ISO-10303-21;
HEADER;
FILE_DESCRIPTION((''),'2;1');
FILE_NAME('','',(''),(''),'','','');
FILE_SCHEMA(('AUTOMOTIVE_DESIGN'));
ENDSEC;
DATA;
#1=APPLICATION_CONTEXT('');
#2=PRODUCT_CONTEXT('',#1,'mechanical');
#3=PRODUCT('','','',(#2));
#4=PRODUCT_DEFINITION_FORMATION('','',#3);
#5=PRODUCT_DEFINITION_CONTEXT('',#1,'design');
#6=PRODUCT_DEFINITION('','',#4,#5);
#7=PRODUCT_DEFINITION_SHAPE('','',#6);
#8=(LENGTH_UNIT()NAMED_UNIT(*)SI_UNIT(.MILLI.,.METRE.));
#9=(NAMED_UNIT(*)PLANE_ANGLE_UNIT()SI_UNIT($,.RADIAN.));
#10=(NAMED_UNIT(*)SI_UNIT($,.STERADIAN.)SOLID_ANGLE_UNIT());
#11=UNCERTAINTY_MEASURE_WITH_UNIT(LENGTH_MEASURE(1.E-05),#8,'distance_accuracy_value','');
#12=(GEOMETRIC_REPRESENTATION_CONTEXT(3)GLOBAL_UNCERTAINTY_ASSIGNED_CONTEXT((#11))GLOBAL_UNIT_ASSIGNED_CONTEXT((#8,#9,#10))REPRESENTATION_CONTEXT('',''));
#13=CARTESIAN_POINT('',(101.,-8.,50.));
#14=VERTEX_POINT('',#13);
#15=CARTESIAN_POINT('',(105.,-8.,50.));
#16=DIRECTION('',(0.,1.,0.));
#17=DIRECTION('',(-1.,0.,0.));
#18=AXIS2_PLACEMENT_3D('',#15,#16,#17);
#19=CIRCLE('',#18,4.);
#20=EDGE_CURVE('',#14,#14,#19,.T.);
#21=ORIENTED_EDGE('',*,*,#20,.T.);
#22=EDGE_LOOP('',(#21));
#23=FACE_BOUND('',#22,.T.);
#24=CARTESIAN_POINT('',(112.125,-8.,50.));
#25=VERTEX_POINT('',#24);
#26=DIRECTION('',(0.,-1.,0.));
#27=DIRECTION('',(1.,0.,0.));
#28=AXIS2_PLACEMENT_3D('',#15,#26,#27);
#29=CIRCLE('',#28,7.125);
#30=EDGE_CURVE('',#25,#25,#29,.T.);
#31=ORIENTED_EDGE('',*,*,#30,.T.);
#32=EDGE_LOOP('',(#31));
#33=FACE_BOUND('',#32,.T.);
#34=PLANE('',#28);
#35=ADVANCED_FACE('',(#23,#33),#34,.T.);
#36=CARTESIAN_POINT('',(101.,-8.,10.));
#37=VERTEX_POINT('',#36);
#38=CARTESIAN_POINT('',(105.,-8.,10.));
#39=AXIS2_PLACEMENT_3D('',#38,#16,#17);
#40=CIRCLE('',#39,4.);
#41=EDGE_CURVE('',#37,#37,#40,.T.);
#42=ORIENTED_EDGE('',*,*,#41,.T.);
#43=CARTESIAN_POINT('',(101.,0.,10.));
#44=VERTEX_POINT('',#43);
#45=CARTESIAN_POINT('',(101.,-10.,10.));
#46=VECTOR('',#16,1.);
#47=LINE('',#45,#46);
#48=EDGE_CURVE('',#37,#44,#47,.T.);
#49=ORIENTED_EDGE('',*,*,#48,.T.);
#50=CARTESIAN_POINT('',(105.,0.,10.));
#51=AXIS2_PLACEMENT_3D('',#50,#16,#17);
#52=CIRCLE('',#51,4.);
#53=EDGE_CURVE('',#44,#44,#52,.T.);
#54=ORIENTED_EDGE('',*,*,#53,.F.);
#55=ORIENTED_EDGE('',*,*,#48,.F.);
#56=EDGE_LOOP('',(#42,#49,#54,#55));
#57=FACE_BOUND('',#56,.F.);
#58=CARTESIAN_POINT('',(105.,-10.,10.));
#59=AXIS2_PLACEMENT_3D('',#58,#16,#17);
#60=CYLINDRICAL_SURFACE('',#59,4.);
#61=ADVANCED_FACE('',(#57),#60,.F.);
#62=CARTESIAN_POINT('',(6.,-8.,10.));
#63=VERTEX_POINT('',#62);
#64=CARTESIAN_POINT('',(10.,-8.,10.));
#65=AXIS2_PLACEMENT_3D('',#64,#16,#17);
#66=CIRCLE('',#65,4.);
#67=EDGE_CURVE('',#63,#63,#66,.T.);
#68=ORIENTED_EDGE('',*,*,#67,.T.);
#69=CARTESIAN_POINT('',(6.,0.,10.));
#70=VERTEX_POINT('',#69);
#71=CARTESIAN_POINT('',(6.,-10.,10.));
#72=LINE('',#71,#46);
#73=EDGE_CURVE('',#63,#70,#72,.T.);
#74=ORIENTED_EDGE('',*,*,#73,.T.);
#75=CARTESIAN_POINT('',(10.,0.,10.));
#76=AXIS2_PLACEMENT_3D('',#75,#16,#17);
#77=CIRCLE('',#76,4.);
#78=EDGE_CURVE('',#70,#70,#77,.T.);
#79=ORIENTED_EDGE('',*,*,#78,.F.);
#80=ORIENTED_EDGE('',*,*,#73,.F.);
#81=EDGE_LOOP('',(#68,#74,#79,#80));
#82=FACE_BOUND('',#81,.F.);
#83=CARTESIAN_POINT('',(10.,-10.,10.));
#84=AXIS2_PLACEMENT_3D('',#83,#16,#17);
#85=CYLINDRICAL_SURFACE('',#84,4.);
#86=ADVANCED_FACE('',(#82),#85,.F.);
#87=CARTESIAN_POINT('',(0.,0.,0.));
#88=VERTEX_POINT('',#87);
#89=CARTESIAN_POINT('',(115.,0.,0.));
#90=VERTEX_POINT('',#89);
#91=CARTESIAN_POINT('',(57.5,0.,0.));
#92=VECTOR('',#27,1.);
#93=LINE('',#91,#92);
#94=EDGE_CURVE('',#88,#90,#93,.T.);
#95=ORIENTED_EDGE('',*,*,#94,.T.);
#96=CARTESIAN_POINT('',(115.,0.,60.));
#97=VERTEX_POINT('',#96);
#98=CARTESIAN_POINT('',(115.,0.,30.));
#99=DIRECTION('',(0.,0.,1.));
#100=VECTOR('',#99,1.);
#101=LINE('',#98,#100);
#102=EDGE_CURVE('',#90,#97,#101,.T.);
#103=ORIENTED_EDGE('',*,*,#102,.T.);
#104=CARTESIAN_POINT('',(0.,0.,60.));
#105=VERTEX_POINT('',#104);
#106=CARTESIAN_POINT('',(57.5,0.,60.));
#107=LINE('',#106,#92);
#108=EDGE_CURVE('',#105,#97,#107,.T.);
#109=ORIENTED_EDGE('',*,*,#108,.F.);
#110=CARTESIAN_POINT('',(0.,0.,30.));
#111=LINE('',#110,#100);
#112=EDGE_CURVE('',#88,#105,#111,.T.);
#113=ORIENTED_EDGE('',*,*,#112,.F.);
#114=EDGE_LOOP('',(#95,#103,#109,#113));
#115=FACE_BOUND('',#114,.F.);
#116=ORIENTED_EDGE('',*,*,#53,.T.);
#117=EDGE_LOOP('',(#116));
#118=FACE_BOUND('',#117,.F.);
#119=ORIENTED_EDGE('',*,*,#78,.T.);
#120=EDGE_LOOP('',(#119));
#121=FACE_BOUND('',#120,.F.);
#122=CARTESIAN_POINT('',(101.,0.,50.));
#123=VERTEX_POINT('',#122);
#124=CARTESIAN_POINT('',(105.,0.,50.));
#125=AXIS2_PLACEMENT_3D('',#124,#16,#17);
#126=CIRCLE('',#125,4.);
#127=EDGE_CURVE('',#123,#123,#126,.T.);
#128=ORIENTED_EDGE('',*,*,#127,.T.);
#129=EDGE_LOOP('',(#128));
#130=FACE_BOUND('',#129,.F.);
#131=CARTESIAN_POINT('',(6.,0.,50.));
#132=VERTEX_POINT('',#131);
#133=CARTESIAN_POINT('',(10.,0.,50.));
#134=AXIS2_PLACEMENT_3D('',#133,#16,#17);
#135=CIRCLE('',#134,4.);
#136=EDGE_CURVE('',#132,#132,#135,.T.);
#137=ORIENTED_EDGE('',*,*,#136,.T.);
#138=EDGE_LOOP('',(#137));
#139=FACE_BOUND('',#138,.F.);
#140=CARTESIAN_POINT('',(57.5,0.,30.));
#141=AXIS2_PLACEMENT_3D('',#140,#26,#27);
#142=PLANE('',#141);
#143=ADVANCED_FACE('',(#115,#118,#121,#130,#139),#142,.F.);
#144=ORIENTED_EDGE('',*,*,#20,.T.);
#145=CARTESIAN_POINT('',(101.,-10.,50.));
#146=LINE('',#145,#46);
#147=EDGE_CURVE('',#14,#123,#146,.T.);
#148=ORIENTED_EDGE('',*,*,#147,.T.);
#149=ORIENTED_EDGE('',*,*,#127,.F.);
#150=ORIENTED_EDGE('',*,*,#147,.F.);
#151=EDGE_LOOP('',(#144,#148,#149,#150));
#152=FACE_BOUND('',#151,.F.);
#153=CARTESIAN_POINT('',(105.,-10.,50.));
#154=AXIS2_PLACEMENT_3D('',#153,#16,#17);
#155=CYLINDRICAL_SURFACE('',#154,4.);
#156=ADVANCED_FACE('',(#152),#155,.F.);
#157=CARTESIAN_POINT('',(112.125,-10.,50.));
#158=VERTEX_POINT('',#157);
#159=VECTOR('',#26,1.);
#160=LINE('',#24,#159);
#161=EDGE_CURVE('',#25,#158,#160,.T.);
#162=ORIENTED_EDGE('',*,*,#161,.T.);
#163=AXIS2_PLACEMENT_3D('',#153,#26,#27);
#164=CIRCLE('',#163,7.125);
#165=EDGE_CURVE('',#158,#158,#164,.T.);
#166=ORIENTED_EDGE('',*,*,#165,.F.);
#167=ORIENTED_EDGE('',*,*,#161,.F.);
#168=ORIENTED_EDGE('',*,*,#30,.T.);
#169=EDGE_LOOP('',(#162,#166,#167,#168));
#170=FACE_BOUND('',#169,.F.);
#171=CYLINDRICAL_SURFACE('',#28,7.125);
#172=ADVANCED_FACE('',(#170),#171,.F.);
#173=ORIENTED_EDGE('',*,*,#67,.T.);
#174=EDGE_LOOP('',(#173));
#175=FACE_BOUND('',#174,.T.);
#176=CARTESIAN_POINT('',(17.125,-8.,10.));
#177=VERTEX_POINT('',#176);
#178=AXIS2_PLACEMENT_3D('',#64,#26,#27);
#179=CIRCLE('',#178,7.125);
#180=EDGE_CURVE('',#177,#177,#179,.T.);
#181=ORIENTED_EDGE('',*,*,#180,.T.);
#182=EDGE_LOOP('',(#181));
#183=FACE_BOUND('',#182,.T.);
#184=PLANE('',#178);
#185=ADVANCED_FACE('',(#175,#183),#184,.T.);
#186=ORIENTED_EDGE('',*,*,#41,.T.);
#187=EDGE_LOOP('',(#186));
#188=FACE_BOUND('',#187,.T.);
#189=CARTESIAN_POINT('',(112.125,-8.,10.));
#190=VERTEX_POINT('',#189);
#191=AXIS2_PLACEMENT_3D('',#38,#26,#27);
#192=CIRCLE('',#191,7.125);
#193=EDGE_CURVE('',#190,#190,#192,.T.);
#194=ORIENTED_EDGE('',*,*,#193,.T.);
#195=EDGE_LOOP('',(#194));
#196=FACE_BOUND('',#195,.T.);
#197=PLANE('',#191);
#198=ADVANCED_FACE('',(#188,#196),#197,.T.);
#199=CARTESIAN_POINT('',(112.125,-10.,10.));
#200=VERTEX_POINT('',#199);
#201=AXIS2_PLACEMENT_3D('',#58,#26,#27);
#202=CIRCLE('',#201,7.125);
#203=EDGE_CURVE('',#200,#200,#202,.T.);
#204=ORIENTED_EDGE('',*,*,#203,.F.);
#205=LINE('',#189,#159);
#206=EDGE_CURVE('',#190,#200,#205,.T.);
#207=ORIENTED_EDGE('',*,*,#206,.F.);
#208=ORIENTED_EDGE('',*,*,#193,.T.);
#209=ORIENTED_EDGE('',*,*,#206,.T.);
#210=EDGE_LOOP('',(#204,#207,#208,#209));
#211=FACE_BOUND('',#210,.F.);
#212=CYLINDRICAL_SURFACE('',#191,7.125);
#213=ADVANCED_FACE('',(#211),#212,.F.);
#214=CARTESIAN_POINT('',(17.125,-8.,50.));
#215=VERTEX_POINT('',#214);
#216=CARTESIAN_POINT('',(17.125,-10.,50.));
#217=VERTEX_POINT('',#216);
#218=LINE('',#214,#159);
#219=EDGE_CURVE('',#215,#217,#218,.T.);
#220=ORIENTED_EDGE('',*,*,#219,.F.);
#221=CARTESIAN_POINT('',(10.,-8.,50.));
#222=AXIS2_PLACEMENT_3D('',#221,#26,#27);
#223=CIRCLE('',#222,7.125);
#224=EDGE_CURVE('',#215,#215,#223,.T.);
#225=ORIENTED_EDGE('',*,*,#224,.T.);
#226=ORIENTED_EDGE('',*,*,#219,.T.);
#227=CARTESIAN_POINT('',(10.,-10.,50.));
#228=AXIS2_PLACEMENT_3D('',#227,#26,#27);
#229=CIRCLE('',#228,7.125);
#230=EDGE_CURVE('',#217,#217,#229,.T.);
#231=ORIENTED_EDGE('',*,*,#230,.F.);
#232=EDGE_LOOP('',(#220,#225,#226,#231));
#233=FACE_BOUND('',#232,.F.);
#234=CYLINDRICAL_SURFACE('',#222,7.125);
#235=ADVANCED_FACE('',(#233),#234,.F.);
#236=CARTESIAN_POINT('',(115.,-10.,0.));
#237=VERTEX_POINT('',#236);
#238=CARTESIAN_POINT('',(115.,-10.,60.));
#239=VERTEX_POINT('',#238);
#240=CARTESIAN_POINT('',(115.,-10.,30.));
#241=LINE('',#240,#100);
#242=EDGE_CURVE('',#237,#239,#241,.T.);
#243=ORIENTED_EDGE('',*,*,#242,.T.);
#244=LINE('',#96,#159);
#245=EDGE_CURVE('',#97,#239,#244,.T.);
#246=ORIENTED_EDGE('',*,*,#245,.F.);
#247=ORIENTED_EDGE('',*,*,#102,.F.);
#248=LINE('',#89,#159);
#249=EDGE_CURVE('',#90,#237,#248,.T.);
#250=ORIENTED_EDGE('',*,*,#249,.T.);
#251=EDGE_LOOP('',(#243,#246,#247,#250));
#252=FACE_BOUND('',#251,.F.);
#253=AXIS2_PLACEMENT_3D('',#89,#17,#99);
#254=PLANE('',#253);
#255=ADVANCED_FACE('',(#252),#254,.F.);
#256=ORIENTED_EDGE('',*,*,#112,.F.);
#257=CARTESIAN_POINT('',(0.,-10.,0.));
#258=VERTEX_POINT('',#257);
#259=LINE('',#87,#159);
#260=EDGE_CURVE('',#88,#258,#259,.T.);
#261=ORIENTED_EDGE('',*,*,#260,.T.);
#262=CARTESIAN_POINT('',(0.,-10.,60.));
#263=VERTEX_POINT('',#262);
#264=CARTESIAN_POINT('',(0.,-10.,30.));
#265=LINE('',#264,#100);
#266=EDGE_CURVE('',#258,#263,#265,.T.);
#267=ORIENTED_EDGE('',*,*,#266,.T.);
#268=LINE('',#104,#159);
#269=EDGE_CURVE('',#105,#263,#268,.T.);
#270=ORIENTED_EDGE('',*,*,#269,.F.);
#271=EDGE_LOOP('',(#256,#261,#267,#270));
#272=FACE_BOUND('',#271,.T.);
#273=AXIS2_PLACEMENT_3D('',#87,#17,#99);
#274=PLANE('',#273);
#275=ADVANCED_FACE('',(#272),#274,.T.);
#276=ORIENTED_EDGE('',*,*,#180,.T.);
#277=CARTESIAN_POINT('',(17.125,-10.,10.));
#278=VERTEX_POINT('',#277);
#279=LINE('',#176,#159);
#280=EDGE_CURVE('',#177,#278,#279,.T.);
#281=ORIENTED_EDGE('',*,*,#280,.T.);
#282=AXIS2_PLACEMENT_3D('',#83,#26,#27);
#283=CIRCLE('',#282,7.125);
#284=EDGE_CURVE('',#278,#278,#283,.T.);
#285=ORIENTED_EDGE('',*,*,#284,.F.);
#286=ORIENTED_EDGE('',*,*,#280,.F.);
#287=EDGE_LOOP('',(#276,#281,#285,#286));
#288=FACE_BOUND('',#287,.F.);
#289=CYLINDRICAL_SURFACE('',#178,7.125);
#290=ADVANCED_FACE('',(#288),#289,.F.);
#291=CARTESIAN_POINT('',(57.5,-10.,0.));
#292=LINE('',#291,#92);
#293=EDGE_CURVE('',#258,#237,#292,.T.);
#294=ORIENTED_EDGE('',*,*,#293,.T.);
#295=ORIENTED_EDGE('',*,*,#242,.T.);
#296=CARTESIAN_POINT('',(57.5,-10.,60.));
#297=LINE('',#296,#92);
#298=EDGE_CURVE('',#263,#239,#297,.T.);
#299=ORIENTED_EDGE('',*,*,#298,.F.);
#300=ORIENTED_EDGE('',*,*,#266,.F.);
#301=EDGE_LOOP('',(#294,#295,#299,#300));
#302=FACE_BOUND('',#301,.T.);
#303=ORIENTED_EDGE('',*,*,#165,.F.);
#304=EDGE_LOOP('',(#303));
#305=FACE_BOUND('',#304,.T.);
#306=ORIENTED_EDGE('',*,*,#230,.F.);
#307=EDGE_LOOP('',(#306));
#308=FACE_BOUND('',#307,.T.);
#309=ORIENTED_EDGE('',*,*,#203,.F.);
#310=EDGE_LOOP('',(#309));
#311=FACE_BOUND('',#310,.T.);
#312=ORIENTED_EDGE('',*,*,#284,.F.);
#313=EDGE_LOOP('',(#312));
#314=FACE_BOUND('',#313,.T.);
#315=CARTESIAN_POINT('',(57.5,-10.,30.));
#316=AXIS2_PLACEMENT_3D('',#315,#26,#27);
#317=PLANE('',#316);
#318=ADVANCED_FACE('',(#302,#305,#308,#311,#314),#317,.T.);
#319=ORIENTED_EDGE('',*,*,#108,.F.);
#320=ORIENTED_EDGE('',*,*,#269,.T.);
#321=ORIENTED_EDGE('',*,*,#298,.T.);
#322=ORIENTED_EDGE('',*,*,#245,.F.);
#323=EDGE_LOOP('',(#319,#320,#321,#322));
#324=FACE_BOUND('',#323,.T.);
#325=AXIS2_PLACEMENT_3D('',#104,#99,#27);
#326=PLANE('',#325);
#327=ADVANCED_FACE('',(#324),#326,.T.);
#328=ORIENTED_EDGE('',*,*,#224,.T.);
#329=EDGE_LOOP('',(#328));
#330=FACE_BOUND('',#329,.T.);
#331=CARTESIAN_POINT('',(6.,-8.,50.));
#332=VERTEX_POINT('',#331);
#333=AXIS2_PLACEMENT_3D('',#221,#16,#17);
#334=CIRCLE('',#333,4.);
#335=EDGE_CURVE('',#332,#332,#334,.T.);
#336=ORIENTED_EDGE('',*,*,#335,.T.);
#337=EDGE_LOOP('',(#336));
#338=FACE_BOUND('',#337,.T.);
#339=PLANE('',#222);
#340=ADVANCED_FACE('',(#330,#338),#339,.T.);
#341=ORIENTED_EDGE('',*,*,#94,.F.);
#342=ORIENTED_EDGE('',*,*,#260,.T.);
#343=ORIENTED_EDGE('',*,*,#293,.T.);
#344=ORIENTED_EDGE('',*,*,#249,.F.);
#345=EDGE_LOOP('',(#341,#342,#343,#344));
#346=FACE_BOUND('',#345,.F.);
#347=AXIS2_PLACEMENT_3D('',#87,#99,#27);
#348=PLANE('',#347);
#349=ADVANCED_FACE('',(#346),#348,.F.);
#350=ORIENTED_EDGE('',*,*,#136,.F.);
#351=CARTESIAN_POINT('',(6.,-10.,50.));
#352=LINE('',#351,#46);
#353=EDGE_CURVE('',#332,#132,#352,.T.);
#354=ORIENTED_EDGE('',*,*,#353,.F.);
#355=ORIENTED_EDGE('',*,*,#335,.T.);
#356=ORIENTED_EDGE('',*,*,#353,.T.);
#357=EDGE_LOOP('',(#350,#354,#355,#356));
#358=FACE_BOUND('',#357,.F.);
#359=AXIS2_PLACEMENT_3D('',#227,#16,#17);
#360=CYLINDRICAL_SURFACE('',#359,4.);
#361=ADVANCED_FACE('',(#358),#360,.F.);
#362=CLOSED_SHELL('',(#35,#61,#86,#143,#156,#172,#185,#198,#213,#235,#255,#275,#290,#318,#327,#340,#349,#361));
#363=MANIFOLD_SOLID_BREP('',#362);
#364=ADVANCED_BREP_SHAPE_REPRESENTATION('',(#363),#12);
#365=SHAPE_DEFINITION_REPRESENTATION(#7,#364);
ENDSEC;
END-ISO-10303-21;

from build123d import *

# Parameters (mm, degrees)
F0_W           = 115
F0_H           = 60
F1_DEPTH       = 10
F3_D           = 8
F3_DEPTH       = 10
F3_CBORE_D     = 14.25
F3_CBORE_DEPTH = 2


with BuildPart() as f1:
    # F0 (on Front) → F1 (new body)
    with BuildSketch(Plane.XZ):
        with Locations((57.5, 30)):
            Rectangle(F0_W, F0_H)
    extrude(amount=F1_DEPTH)

    # F3
    with Locations(Plane.XZ.offset(10)):
        with Locations((10, 50), (105, 50), (105, 10), (10, 10)):
            CounterBoreHole(F3_D / 2, F3_CBORE_D / 2, F3_CBORE_DEPTH, depth=F3_DEPTH)


solid = f1.part
